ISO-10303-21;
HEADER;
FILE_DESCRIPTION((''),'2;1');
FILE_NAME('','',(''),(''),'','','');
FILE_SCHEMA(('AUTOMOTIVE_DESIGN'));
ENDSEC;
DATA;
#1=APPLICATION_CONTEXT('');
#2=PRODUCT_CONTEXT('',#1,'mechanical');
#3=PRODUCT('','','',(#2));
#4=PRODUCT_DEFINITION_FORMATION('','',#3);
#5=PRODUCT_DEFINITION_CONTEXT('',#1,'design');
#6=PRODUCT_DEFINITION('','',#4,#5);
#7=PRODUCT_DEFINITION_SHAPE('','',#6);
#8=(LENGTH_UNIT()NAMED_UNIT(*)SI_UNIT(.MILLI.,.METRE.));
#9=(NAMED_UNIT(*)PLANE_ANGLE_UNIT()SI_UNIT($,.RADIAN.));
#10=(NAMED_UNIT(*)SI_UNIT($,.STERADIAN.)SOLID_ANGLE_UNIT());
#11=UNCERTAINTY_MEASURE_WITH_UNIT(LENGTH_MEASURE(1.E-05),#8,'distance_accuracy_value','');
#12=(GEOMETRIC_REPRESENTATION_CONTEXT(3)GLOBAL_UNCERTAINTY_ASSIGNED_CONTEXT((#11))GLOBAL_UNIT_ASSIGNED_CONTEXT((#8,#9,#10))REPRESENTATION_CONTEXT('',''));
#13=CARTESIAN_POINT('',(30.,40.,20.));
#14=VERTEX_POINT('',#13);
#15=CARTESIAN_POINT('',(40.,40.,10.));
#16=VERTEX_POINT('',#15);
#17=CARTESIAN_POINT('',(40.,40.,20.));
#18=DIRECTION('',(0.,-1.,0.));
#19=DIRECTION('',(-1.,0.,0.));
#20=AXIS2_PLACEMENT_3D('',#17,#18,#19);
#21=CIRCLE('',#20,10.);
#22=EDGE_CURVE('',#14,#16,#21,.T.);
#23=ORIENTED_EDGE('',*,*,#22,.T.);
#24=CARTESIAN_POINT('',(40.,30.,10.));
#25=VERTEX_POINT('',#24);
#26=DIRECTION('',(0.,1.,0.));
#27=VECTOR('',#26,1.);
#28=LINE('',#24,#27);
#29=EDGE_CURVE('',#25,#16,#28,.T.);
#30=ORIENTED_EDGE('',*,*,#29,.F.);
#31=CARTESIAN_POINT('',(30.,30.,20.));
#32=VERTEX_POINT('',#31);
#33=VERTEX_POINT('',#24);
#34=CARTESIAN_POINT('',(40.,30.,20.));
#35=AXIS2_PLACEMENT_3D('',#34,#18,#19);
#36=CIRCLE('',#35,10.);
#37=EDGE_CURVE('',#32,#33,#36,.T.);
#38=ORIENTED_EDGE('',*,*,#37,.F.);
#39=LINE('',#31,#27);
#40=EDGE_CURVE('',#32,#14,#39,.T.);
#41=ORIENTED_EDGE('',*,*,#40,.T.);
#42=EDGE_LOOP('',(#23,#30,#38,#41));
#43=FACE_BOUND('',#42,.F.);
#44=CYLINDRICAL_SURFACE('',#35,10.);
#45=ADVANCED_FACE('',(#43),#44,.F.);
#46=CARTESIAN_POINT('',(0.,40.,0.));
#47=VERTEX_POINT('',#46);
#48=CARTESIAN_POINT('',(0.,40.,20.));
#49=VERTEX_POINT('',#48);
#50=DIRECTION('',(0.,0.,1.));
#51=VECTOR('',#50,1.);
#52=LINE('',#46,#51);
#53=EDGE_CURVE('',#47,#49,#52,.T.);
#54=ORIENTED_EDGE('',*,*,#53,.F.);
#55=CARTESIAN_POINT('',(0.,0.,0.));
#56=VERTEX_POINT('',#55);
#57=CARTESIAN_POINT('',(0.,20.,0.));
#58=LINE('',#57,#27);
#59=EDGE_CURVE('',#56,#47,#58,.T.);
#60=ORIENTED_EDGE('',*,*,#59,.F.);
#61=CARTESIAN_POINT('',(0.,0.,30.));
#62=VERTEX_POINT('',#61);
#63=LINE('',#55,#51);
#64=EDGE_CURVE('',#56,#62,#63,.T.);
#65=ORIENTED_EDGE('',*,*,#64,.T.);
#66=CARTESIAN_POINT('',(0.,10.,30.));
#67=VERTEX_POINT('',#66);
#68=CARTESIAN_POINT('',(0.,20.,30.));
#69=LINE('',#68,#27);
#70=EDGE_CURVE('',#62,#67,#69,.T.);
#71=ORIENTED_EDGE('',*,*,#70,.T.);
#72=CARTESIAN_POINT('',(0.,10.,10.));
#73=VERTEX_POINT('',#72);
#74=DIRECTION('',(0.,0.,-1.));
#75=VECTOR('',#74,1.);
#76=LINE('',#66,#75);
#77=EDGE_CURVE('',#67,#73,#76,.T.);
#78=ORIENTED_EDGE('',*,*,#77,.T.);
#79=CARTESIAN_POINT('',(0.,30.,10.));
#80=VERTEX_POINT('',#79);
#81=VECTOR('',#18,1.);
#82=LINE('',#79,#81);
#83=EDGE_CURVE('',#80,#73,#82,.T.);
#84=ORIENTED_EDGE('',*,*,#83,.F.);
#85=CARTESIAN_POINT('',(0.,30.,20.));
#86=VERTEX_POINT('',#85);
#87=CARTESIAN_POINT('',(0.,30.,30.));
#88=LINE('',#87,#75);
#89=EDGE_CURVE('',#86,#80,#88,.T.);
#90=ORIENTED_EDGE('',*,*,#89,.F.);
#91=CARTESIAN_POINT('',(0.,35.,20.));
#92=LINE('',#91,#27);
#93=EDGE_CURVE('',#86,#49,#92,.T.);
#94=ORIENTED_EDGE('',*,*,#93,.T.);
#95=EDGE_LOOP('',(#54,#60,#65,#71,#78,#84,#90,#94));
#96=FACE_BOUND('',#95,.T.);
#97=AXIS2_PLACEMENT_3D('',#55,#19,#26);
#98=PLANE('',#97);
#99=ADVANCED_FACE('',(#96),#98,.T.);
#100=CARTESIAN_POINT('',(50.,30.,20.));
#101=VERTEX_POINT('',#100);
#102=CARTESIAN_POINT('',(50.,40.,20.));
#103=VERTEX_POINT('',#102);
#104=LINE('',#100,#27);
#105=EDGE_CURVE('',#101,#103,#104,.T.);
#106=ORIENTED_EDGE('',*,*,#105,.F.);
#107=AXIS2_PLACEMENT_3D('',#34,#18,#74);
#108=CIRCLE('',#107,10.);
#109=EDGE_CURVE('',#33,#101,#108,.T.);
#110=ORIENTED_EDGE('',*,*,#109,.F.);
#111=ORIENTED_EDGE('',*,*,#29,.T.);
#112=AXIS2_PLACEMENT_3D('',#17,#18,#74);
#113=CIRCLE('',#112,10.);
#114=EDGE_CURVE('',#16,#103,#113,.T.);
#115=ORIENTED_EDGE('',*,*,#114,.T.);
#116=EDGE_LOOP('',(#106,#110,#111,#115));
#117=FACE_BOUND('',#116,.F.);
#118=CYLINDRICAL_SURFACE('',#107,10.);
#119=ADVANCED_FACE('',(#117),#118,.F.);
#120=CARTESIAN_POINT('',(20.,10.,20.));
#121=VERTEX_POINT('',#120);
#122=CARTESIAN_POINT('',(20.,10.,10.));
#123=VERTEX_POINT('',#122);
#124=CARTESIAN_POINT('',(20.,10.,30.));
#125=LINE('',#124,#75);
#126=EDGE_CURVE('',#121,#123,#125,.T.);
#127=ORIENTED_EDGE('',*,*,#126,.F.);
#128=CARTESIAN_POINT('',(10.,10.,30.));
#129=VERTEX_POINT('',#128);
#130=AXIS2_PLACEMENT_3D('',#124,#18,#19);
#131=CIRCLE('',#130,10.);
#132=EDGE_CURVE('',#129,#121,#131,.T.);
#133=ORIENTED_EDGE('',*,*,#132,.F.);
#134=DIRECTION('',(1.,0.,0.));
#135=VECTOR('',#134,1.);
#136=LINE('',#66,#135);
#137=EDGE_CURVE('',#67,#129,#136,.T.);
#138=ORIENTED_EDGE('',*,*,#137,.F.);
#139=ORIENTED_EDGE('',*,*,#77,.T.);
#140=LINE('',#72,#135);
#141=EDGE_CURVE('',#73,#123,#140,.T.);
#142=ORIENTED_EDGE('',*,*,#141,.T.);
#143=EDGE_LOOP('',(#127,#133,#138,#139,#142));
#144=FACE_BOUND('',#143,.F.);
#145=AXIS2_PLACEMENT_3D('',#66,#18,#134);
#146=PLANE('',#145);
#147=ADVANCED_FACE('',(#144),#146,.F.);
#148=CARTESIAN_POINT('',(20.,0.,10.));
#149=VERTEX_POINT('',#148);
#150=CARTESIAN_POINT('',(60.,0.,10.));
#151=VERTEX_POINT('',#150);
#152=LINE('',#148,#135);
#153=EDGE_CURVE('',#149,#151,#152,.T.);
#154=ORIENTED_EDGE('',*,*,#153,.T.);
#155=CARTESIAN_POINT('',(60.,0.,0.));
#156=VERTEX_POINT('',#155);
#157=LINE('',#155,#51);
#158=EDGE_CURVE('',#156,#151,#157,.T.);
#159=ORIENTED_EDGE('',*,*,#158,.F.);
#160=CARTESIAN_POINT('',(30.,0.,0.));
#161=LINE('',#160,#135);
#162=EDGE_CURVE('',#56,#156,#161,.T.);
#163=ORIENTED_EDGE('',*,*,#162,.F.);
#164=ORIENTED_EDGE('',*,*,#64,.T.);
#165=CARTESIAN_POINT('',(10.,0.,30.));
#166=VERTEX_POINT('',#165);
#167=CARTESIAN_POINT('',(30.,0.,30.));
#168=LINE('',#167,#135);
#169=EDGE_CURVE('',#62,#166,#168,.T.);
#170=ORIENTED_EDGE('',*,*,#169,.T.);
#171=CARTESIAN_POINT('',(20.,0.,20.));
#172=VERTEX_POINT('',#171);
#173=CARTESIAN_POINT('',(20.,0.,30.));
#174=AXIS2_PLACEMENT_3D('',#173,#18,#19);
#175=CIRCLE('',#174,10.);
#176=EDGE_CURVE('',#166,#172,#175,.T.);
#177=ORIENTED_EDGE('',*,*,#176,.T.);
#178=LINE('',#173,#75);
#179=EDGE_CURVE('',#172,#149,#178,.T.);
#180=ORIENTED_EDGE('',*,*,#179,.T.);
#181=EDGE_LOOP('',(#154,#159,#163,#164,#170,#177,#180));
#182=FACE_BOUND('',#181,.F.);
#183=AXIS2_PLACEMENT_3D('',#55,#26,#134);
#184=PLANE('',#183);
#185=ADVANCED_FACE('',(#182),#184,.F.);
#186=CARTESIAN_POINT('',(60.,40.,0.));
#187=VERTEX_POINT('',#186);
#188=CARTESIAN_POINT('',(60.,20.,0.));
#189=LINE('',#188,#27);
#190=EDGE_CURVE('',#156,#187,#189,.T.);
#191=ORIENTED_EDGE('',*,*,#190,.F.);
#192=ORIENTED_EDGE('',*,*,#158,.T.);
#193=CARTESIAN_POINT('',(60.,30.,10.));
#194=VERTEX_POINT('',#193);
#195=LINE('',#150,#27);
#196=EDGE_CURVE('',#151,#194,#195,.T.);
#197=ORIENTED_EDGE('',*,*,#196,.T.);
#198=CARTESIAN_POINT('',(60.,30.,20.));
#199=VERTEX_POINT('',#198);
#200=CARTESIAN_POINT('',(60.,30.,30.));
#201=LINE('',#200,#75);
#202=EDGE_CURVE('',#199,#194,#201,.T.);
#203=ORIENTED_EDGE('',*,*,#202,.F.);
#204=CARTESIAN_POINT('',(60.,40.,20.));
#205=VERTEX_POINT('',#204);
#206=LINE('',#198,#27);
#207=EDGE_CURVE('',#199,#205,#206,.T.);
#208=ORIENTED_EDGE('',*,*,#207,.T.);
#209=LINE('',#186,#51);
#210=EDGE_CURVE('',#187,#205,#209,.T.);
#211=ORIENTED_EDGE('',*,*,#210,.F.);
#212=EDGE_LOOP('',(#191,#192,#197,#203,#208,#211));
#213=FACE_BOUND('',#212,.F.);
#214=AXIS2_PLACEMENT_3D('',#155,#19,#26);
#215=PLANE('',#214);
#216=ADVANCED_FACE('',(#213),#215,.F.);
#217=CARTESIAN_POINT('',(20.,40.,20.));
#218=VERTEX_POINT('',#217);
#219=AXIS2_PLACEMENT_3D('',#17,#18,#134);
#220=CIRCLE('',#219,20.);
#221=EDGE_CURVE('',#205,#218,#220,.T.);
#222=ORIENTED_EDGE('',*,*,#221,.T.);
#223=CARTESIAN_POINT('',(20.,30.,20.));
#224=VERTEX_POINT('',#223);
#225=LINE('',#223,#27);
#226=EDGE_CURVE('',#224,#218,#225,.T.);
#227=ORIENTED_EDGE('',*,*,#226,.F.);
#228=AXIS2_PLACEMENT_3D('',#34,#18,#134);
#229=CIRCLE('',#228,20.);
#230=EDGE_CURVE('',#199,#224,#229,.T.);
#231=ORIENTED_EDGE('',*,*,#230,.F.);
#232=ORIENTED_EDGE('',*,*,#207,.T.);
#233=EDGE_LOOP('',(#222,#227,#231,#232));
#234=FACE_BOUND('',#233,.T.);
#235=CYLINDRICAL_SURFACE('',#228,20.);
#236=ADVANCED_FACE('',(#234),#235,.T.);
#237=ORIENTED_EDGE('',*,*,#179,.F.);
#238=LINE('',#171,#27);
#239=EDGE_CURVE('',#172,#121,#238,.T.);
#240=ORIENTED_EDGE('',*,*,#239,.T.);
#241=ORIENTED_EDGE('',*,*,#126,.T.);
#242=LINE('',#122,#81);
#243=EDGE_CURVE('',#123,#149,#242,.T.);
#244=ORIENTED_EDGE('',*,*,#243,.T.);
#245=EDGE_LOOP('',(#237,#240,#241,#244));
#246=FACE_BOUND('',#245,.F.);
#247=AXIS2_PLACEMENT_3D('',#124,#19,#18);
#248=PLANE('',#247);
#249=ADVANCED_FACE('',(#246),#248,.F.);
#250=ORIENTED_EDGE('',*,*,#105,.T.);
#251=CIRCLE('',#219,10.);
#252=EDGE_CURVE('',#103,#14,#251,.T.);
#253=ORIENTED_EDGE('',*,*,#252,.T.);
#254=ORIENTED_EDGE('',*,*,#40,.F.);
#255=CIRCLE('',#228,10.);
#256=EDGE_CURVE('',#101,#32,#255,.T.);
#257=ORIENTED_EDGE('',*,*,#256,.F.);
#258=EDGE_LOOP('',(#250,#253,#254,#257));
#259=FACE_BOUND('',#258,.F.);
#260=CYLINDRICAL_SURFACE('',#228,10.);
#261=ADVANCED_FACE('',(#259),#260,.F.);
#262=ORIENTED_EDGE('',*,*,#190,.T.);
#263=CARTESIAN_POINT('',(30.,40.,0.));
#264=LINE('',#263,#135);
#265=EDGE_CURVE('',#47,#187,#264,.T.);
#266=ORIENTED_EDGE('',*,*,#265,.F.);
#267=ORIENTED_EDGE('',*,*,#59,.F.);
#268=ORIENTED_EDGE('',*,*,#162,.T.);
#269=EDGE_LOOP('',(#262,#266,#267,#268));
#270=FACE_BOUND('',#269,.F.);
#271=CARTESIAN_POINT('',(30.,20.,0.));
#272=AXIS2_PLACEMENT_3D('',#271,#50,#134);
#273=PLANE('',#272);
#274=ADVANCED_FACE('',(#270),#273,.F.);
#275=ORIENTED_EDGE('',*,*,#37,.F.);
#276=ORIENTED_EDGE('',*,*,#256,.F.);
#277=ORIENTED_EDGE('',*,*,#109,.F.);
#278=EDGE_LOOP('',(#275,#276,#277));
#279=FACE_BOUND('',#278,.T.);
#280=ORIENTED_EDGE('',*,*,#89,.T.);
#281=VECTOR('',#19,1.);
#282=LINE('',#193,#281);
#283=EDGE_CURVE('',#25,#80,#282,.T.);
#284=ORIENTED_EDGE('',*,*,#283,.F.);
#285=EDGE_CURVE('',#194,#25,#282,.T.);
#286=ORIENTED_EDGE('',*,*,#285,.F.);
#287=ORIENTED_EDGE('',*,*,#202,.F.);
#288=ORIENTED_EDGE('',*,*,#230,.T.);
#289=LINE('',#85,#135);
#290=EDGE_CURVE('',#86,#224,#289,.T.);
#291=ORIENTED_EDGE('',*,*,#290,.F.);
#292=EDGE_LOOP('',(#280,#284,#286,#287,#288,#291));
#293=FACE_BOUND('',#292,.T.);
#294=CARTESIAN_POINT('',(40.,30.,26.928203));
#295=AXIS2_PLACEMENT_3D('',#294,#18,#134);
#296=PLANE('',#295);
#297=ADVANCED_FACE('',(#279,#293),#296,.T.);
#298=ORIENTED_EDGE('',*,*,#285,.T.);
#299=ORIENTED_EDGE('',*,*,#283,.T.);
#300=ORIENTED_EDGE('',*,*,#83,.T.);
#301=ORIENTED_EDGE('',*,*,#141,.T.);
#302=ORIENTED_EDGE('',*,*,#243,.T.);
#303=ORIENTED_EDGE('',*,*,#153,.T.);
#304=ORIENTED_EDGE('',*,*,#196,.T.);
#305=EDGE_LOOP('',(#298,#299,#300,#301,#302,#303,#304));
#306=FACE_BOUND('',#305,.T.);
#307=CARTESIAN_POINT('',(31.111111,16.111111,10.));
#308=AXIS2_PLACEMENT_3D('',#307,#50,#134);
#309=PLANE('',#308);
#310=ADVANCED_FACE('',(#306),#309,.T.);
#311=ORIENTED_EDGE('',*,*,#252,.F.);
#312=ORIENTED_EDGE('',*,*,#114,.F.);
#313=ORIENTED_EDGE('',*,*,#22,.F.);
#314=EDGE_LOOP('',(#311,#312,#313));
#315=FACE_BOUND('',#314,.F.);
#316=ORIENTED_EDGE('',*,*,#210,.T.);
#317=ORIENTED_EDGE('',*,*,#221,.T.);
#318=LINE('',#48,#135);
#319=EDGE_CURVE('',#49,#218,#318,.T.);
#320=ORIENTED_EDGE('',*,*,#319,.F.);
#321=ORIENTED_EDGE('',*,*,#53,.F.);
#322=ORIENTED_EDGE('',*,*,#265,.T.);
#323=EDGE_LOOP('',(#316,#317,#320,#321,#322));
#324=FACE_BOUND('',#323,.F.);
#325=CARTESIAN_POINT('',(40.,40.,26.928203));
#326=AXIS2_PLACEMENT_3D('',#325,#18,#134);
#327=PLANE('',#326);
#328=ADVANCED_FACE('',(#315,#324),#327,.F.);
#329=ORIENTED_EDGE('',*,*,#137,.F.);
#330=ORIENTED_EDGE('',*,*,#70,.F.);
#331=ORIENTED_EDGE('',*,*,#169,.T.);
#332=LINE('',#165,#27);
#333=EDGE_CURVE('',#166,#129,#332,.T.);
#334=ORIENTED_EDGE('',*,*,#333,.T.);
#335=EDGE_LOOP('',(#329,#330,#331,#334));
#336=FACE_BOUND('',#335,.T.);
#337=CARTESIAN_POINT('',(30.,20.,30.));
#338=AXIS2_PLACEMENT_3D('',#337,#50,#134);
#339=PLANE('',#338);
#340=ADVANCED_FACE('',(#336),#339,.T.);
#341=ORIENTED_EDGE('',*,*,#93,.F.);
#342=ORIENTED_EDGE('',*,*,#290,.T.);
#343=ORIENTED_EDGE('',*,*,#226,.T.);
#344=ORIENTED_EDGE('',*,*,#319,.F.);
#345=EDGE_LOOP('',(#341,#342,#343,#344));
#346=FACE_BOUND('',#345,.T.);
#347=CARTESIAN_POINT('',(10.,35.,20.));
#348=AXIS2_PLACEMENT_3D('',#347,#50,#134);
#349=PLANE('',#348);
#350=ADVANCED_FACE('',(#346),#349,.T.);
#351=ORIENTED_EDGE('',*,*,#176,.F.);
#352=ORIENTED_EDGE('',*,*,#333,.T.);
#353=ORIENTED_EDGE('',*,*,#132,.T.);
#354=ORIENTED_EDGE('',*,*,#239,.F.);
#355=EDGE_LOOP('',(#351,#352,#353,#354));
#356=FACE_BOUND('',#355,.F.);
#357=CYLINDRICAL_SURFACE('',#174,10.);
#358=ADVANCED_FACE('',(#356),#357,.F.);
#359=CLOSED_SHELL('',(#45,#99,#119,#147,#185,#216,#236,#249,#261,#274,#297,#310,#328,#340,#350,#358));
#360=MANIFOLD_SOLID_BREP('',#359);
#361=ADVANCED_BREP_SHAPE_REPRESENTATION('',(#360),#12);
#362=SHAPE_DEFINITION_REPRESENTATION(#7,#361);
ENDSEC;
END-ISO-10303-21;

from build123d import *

# Parameters (mm, degrees)
F0_W      = 60
F0_H      = 40
F1_DEPTH  = 30
F3_DEPTH  = 20
F4_W      = 20
F4_H      = 10
F5_DEPTH  = 10
F6_W      = 40
F6_H      = 10
F7_DEPTH  = 25
F9_DEPTH  = 10
F11_DEPTH = 11
F13_DEPTH = 15
F16_DEPTH = 10
F18_DEPTH = 25


with BuildPart() as f1:
    # F0 (on Top) → F1 (new body)
    with BuildSketch(Plane.XY):
        with Locations((30, 20)):
            Rectangle(F0_W, F0_H)
    extrude(amount=F1_DEPTH)

    # F2 (on face) → F3 (cut)
    with BuildSketch(Plane.XY.offset(30)):
        Polygon((20, 10), (20, 0), (60, 0), (60, 30), (0, 30), (0, 10), align=None)
    extrude(amount=-F3_DEPTH, mode=Mode.SUBTRACT)

    # F4 (on face) → F5 (cut)
    with BuildSketch(Plane.XY.offset(30)):
        with Locations((10, 35)):
            Rectangle(F4_W, F4_H)
    extrude(amount=-F5_DEPTH, mode=Mode.SUBTRACT)

    # F6 (on face) → F7 (cut)
    with BuildSketch(Plane.XZ.offset(-30)):
        with Locations((40, 25)):
            Rectangle(F6_W, F6_H)
    extrude(amount=-F7_DEPTH, mode=Mode.SUBTRACT)

    # F10 (on face) → F11 (cut)
    with BuildSketch(Plane.XZ):
        with BuildLine():
            Line((20, 30), (10, 30))
            ThreePointArc((10, 30), (12.9289321881, 22.9289321881), (20, 20))
            Line((20, 20), (20, 30))
        make_face()
    extrude(amount=-F11_DEPTH, mode=Mode.SUBTRACT)


with BuildPart() as f9:
    # F8 (on face) → F9 (new body)
    with BuildSketch(Plane.XZ.offset(-30)):
        with BuildLine():
            Line((20.0364161283, 20), (60, 20))
            ThreePointArc((60, 20), (40.0182080641, 40.8581650258), (20.0364161283, 20))
        make_face()
    extrude(amount=-F9_DEPTH)


with BuildPart() as f13_tool:
    # F12 (on face) → F13 (new body)
    with BuildSketch(Plane.XZ.offset(-30)):
        with BuildLine():
            ThreePointArc((30, 20), (32.9289321881, 12.9289321881), (40, 10))
            ThreePointArc((40, 10), (47.0710678119, 12.9289321881), (50, 20))
            Line((50, 20), (40, 20))
            Line((40, 20), (30, 20))
        make_face()
        with BuildLine():
            Line((40, 20), (50, 20))
            ThreePointArc((50, 20), (40, 30), (30, 20))
            Line((30, 20), (40, 20))
        make_face()
    extrude(amount=-F13_DEPTH)


with BuildPart() as f1_1:
    add(f1.part)

    # F13: cut by f13_tool
    add(f13_tool.part, mode=Mode.SUBTRACT)

    # F15 (on face) → F16 (join)
    with BuildSketch(Plane.XZ.offset(-30)):
        with BuildLine():
            Line((50, 20), (60, 20))
            ThreePointArc((60, 20), (40, 40), (20, 20))
            Line((20, 20), (30, 20))
            Line((30, 20), (50, 20))
        make_face()
    extrude(amount=-F16_DEPTH)

    # F17 (on face) → F18 (cut)
    with BuildSketch(Plane.XZ.offset(-30)):
        with BuildLine():
            Line((30, 20), (50, 20))
            ThreePointArc((50, 20), (40, 30), (30, 20))
        make_face()
        with BuildLine():
            ThreePointArc((40, 10), (47.0710678119, 12.9289321881), (50, 20))
            Line((50, 20), (30, 20))
            ThreePointArc((30, 20), (32.9289321881, 12.9289321881), (40, 10))
        make_face()
    extrude(amount=-F18_DEPTH, mode=Mode.SUBTRACT)


with BuildPart() as f9_1:
    add(f9.part)

    # F13: cut by f13_tool
    add(f13_tool.part, mode=Mode.SUBTRACT)


solid = f1_1.part
